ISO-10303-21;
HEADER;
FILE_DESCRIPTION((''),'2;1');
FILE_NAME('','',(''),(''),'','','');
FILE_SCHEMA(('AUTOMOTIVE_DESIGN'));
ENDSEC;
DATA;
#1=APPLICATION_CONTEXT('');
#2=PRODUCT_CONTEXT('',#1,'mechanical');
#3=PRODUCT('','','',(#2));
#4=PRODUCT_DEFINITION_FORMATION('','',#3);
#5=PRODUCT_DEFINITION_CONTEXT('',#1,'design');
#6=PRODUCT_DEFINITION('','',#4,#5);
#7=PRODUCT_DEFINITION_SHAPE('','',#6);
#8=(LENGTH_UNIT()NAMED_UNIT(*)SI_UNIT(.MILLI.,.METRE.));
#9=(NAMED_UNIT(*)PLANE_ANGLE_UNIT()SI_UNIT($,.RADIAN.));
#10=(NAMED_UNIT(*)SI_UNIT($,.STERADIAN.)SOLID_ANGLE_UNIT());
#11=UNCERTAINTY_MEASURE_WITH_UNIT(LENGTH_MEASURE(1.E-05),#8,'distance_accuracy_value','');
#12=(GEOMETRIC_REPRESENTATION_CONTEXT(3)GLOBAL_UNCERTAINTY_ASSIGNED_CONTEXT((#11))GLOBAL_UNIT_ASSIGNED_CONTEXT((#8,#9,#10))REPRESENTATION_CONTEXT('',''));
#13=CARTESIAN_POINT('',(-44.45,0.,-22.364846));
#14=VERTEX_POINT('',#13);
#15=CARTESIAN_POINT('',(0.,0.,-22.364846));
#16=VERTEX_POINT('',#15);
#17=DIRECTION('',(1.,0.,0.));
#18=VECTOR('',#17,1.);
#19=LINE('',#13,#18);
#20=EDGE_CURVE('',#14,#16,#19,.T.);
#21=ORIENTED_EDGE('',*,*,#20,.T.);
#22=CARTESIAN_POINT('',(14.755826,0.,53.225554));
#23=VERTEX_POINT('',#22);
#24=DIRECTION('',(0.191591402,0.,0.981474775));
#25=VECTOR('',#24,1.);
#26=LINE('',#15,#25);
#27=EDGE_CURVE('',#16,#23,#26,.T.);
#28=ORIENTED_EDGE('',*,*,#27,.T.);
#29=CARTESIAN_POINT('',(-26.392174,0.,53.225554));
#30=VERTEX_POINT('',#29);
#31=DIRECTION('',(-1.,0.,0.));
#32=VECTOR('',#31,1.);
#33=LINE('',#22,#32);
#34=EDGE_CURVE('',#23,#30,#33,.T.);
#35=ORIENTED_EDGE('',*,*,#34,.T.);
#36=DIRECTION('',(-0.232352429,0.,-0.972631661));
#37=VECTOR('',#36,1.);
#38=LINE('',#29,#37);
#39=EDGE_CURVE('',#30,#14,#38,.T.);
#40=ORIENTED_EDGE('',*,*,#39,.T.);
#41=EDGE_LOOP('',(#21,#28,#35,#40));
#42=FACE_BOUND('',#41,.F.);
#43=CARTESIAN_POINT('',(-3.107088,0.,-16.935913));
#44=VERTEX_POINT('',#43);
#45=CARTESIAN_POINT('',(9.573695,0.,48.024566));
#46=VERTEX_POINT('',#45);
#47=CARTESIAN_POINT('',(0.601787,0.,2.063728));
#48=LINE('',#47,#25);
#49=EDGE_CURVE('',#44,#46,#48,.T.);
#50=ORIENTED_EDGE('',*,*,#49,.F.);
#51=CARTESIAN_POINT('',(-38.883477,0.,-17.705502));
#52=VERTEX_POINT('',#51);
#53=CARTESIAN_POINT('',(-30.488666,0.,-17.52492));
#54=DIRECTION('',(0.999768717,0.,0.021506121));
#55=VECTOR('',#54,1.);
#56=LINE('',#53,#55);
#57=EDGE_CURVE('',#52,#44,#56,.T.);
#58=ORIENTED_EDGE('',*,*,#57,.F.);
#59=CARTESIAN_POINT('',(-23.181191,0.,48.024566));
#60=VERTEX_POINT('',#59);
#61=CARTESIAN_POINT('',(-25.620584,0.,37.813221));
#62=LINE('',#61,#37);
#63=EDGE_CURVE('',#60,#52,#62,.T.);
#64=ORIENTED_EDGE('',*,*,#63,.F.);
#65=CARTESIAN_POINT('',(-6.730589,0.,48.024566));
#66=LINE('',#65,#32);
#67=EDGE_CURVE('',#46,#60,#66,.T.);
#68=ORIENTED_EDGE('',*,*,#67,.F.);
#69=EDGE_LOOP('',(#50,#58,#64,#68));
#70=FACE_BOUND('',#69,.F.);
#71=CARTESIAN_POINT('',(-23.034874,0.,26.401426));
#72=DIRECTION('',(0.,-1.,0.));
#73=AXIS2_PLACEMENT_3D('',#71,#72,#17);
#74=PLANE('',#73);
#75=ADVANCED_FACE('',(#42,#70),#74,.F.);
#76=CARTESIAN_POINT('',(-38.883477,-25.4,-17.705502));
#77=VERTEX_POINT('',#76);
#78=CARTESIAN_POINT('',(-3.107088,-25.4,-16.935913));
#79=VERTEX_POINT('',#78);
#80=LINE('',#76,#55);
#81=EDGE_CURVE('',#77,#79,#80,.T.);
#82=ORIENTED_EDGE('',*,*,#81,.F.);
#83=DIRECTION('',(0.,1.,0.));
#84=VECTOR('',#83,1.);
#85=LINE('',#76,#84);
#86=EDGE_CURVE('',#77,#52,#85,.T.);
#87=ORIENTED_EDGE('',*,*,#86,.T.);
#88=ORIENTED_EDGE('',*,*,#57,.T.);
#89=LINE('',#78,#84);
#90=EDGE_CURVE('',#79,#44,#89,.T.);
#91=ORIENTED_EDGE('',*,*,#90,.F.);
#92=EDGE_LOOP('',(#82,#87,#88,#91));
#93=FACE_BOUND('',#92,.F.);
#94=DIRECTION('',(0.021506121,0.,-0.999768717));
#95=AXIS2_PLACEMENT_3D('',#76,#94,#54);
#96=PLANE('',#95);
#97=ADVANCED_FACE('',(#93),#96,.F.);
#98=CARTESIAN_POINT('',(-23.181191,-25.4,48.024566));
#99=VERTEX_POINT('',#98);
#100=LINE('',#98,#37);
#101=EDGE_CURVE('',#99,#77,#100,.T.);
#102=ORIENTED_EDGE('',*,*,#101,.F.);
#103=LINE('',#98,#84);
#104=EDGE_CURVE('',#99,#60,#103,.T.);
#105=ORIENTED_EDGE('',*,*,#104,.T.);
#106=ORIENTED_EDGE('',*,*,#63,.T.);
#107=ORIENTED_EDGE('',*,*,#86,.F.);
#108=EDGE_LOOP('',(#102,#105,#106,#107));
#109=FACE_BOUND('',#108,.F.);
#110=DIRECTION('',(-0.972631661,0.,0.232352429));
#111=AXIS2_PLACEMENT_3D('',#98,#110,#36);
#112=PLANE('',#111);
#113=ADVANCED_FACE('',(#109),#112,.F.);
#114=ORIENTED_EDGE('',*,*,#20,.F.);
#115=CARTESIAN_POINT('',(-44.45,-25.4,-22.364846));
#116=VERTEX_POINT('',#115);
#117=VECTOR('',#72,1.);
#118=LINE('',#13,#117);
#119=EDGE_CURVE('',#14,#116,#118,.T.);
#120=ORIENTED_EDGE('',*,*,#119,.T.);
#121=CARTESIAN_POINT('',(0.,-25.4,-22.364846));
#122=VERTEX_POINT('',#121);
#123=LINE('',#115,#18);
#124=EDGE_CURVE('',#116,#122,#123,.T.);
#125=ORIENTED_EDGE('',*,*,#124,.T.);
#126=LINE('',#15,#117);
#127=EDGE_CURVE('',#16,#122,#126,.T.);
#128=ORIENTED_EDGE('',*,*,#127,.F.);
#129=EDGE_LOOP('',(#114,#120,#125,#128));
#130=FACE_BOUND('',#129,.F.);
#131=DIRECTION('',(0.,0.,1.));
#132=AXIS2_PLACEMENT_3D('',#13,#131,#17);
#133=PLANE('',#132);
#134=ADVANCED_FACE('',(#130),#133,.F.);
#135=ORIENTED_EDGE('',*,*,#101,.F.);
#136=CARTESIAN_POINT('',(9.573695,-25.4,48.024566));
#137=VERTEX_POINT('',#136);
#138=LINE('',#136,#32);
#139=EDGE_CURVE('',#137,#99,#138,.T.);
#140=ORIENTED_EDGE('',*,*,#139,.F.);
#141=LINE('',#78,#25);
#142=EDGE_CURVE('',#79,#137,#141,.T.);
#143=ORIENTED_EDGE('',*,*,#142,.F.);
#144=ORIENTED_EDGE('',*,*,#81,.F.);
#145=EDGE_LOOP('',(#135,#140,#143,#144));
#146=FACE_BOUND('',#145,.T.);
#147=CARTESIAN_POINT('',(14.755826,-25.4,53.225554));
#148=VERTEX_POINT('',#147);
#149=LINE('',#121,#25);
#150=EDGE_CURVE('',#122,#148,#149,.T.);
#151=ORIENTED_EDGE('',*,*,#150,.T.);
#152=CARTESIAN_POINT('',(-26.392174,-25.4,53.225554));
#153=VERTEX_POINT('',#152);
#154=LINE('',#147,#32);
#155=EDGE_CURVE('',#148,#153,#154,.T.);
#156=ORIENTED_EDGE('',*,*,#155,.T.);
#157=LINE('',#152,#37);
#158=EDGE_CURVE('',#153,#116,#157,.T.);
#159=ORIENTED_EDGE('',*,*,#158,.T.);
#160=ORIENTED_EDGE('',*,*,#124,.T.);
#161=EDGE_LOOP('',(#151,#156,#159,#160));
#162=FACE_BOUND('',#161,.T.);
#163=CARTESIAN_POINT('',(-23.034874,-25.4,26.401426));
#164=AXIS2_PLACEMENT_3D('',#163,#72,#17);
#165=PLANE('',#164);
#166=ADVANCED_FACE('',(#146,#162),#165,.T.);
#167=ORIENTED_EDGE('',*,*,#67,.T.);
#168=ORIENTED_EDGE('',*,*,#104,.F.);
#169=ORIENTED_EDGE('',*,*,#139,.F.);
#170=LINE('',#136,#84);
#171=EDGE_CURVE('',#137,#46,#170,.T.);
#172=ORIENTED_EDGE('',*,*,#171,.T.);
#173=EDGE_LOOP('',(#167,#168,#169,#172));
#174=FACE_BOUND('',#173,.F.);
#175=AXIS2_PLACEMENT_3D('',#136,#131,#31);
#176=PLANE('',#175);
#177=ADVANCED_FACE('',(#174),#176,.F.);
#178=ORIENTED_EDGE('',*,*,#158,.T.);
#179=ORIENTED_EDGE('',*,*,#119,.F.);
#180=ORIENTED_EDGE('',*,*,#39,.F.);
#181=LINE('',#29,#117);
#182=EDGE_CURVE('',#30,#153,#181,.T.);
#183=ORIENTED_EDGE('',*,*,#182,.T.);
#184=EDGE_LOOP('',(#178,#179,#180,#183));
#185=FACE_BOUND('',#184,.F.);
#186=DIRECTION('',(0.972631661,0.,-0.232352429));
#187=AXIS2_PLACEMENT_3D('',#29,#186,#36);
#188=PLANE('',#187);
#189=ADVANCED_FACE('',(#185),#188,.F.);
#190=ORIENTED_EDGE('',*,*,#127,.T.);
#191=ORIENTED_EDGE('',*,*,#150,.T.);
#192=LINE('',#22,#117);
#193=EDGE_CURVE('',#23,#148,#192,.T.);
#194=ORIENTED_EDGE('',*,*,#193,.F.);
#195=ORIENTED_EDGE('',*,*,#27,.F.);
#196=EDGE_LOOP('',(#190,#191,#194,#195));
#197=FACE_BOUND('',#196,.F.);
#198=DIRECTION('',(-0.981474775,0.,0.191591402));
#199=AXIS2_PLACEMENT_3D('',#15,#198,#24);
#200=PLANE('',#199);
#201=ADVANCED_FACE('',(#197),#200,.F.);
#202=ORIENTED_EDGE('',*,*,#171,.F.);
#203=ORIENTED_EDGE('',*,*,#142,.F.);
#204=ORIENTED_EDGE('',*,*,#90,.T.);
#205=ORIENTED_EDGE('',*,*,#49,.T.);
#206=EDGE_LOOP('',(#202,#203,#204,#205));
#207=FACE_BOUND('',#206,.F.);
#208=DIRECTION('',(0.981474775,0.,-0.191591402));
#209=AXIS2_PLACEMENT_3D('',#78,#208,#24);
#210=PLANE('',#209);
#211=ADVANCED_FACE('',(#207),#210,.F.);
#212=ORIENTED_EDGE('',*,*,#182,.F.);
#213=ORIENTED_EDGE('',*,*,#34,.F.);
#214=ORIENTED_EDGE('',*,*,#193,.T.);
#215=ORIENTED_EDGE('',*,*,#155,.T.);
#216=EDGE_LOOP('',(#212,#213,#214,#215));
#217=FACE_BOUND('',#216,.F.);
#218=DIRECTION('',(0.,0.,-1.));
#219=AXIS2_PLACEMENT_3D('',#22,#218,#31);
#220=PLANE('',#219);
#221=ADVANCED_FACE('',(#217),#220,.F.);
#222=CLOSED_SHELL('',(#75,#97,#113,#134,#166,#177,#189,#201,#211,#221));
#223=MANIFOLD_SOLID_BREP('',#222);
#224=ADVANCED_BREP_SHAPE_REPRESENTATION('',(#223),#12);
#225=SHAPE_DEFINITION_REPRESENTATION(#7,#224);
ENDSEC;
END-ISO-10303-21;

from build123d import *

# Parameters (mm, degrees)
F1_DEPTH = 25.4
F3_DEPTH = 76.2


with BuildPart() as f1:
    # F0 (on Front) → F1 (new body)
    with BuildSketch(Plane.XZ):
        Polygon((-13.7051350082, 16.8883286435), (-26.3921742729, 53.2255535693), (-26.3921742729, 0.6902879767), align=None)
        Polygon((14.7558257271, 53.2255535693), (-26.3921742729, 53.2255535693), (-13.7051350082, 16.8883286435), align=None)
        Polygon((-26.3921742729, 0.6902879767), (-26.3921742729, 53.2255535693), (-44.45, -22.3648464307), align=None)
        Polygon((0, -22.3648464307), (14.7558257271, 53.2255535693), (-13.7051350082, 16.8883286435), align=None)
        Polygon((-13.7051350082, 16.8883286435), (-26.3921742729, 0.6902879767), (-26.3921742729, -22.3648464307), (0, -22.3648464307), align=None)
        Polygon((-26.3921742729, -22.3648464307), (-26.3921742729, 0.6902879767), (-44.45, -22.3648464307), align=None)
    extrude(amount=F1_DEPTH)

    # F2 (on face) → F3 (cut)
    with BuildSketch(Plane.XZ.offset(25.4)):
        Polygon((-23.1811909748, 48.0245661533), (-38.8834774494, -17.7055019885), (-3.1070883466, -16.9359126502), (9.5736952499, 48.0245661533), align=None)
    extrude(amount=-F3_DEPTH, mode=Mode.SUBTRACT)


solid = f1.part
